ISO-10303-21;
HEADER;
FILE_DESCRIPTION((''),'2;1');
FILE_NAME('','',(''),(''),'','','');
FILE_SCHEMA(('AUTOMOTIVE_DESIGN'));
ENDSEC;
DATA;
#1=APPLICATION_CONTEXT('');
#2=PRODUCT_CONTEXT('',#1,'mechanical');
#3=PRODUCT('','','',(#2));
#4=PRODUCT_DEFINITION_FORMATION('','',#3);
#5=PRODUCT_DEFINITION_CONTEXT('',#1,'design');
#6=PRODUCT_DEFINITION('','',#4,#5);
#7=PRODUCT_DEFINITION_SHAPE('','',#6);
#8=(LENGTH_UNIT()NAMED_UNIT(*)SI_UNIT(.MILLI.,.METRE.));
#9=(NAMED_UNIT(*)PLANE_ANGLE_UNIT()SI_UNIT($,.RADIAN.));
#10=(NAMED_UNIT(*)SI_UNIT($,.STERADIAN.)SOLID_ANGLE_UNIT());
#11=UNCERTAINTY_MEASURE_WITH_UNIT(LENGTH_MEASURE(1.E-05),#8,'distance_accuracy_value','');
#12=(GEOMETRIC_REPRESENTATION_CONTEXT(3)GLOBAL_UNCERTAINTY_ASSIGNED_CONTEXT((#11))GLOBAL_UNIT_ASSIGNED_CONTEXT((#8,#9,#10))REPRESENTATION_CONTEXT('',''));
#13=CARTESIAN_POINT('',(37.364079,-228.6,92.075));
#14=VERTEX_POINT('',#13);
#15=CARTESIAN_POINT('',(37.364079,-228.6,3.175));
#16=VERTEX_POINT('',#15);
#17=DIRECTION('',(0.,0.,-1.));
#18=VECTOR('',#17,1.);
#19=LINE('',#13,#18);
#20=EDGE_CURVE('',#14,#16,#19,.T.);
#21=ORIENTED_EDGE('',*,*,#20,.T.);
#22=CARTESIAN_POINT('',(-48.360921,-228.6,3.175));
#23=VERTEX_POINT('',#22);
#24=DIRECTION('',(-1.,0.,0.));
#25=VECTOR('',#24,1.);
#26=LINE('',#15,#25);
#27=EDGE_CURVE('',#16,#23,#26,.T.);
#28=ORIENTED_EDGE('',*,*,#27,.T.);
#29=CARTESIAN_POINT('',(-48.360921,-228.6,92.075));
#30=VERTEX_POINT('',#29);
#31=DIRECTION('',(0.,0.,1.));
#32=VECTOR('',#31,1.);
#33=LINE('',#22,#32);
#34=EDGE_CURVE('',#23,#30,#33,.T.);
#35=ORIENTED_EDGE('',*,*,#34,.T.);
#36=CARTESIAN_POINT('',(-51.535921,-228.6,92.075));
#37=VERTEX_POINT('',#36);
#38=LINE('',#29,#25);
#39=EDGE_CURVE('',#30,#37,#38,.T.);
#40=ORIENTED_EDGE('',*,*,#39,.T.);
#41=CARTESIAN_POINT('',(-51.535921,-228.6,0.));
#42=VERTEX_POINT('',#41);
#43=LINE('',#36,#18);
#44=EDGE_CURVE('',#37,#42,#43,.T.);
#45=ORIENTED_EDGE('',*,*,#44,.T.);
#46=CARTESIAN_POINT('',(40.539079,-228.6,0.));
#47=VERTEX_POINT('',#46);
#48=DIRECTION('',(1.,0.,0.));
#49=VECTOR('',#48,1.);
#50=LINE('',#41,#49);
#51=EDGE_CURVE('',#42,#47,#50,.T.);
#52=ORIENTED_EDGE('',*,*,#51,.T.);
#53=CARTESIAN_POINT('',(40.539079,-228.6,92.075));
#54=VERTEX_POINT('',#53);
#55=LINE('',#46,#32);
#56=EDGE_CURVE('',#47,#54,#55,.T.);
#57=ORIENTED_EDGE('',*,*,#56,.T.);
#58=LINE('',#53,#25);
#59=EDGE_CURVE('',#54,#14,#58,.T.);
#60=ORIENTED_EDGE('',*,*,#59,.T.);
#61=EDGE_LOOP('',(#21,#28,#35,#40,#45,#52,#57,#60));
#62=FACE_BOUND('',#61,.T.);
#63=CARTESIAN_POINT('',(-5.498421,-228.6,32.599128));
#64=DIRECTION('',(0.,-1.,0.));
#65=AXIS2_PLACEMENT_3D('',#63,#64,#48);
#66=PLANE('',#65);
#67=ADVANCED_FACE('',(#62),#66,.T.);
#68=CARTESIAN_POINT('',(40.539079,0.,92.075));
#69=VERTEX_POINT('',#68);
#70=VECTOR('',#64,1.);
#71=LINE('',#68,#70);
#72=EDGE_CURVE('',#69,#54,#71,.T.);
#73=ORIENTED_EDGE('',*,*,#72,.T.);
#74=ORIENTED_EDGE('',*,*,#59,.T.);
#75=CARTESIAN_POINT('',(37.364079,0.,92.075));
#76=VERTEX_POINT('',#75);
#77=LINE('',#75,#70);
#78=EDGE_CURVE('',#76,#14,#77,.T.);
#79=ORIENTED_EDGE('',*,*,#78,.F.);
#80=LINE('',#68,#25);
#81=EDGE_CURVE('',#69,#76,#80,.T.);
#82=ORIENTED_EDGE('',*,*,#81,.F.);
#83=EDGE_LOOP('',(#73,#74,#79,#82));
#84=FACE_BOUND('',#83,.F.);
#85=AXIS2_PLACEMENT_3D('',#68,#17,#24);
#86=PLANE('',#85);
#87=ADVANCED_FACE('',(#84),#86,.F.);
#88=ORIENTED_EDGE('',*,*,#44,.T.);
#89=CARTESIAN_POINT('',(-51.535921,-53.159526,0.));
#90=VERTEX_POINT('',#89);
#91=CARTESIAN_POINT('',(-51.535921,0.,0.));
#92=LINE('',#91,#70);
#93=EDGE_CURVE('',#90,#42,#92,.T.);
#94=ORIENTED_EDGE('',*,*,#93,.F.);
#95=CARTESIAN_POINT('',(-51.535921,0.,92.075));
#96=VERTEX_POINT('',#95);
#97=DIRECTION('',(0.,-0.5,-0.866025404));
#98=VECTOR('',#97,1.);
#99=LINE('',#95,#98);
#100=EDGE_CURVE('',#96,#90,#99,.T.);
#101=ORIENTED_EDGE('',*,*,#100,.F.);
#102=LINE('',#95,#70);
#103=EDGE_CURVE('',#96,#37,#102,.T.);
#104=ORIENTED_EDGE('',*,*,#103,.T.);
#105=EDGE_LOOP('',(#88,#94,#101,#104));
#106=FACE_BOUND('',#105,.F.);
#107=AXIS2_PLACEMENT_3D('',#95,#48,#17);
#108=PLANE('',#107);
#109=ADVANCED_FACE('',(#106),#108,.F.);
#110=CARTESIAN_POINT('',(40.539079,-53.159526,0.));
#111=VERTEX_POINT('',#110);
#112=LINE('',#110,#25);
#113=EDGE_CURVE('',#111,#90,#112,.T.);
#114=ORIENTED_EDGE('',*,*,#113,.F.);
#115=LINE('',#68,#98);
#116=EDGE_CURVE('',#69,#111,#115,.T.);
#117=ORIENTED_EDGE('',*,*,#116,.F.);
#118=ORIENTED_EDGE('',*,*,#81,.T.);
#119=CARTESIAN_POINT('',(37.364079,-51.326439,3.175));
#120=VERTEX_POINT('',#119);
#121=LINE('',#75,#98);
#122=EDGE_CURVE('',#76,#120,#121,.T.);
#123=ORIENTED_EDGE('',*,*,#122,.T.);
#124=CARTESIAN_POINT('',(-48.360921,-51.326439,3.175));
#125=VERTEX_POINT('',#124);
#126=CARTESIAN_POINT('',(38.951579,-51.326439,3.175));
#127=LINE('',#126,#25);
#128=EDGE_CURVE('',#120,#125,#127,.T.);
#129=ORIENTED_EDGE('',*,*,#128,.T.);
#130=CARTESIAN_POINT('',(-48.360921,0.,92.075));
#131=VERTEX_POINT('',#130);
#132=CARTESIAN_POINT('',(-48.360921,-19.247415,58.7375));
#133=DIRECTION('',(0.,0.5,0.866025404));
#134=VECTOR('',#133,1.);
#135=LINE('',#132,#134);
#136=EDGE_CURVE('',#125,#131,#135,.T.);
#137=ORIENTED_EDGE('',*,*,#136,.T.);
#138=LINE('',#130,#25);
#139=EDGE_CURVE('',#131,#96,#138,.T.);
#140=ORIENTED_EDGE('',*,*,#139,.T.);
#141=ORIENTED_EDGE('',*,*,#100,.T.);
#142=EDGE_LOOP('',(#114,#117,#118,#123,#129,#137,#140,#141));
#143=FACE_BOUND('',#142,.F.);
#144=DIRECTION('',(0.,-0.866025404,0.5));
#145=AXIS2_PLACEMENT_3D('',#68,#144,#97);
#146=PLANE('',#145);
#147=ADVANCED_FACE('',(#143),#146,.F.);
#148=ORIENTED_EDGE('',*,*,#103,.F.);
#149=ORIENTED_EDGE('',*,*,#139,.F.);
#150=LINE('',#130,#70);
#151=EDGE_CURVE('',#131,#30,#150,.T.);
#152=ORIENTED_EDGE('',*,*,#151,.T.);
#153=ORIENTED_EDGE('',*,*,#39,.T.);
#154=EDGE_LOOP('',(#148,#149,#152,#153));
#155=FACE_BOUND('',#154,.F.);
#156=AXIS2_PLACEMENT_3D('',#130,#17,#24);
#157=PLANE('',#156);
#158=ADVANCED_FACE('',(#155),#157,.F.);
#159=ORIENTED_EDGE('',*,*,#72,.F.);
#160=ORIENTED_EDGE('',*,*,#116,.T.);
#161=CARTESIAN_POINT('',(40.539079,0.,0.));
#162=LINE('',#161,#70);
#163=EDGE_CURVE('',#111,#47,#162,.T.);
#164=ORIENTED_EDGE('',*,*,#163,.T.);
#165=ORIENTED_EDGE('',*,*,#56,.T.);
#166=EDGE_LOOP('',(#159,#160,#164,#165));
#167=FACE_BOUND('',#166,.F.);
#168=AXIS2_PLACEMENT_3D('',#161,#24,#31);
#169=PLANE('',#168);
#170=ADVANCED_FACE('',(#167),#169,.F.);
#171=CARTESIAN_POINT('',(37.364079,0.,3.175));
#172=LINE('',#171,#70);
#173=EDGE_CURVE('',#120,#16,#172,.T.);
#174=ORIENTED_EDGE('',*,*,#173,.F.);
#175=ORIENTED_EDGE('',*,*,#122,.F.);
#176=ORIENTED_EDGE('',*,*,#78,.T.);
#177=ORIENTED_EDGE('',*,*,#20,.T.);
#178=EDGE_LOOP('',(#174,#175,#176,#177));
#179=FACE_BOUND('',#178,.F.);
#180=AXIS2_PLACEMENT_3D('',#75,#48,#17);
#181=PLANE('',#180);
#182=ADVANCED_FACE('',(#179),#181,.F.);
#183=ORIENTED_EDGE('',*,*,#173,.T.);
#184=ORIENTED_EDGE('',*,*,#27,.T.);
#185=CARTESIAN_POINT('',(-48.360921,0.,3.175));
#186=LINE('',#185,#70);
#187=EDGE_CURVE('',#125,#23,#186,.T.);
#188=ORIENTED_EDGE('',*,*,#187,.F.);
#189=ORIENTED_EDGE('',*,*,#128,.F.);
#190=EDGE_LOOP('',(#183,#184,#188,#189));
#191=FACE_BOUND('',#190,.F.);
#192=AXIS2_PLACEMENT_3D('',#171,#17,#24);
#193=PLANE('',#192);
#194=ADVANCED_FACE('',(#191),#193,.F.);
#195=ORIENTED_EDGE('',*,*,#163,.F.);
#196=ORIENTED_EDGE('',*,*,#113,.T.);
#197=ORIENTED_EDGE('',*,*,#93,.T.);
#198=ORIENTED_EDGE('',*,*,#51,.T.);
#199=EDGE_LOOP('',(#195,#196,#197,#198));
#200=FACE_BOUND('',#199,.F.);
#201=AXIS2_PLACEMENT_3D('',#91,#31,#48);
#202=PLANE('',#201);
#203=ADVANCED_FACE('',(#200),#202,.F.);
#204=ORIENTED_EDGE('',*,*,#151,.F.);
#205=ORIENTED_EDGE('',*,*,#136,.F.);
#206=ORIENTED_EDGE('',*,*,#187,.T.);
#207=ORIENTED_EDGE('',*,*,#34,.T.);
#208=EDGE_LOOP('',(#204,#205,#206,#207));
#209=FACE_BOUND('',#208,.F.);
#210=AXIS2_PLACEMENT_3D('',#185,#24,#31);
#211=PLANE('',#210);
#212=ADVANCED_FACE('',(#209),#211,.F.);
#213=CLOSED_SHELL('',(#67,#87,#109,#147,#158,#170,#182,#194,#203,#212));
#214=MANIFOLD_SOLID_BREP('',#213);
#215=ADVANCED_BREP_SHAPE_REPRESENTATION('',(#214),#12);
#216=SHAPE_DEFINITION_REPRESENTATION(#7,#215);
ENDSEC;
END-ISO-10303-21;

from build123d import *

# Parameters (mm, degrees)
F1_DEPTH = 228.6
F3_DEPTH = 92.076


with BuildPart() as f1:
    # F0 (on Front) → F1 (new body)
    with BuildSketch(Plane.XZ):
        Polygon((-51.535921, 92.075), (-51.535921, 0), (40.539079, 0), (40.539079, 92.075), (37.364079, 92.075), (37.364079, 3.175), (-48.360921, 3.175), (-48.360921, 92.075), align=None)
    extrude(amount=F1_DEPTH)

    # F2 (on face) → F3 (cut, through all)
    with BuildSketch(Plane.YZ.offset(40.539079)):
        Polygon((-53.159526, 0), (0, 0), (0, 92.075), align=None)
    extrude(amount=-F3_DEPTH, mode=Mode.SUBTRACT)


solid = f1.part
